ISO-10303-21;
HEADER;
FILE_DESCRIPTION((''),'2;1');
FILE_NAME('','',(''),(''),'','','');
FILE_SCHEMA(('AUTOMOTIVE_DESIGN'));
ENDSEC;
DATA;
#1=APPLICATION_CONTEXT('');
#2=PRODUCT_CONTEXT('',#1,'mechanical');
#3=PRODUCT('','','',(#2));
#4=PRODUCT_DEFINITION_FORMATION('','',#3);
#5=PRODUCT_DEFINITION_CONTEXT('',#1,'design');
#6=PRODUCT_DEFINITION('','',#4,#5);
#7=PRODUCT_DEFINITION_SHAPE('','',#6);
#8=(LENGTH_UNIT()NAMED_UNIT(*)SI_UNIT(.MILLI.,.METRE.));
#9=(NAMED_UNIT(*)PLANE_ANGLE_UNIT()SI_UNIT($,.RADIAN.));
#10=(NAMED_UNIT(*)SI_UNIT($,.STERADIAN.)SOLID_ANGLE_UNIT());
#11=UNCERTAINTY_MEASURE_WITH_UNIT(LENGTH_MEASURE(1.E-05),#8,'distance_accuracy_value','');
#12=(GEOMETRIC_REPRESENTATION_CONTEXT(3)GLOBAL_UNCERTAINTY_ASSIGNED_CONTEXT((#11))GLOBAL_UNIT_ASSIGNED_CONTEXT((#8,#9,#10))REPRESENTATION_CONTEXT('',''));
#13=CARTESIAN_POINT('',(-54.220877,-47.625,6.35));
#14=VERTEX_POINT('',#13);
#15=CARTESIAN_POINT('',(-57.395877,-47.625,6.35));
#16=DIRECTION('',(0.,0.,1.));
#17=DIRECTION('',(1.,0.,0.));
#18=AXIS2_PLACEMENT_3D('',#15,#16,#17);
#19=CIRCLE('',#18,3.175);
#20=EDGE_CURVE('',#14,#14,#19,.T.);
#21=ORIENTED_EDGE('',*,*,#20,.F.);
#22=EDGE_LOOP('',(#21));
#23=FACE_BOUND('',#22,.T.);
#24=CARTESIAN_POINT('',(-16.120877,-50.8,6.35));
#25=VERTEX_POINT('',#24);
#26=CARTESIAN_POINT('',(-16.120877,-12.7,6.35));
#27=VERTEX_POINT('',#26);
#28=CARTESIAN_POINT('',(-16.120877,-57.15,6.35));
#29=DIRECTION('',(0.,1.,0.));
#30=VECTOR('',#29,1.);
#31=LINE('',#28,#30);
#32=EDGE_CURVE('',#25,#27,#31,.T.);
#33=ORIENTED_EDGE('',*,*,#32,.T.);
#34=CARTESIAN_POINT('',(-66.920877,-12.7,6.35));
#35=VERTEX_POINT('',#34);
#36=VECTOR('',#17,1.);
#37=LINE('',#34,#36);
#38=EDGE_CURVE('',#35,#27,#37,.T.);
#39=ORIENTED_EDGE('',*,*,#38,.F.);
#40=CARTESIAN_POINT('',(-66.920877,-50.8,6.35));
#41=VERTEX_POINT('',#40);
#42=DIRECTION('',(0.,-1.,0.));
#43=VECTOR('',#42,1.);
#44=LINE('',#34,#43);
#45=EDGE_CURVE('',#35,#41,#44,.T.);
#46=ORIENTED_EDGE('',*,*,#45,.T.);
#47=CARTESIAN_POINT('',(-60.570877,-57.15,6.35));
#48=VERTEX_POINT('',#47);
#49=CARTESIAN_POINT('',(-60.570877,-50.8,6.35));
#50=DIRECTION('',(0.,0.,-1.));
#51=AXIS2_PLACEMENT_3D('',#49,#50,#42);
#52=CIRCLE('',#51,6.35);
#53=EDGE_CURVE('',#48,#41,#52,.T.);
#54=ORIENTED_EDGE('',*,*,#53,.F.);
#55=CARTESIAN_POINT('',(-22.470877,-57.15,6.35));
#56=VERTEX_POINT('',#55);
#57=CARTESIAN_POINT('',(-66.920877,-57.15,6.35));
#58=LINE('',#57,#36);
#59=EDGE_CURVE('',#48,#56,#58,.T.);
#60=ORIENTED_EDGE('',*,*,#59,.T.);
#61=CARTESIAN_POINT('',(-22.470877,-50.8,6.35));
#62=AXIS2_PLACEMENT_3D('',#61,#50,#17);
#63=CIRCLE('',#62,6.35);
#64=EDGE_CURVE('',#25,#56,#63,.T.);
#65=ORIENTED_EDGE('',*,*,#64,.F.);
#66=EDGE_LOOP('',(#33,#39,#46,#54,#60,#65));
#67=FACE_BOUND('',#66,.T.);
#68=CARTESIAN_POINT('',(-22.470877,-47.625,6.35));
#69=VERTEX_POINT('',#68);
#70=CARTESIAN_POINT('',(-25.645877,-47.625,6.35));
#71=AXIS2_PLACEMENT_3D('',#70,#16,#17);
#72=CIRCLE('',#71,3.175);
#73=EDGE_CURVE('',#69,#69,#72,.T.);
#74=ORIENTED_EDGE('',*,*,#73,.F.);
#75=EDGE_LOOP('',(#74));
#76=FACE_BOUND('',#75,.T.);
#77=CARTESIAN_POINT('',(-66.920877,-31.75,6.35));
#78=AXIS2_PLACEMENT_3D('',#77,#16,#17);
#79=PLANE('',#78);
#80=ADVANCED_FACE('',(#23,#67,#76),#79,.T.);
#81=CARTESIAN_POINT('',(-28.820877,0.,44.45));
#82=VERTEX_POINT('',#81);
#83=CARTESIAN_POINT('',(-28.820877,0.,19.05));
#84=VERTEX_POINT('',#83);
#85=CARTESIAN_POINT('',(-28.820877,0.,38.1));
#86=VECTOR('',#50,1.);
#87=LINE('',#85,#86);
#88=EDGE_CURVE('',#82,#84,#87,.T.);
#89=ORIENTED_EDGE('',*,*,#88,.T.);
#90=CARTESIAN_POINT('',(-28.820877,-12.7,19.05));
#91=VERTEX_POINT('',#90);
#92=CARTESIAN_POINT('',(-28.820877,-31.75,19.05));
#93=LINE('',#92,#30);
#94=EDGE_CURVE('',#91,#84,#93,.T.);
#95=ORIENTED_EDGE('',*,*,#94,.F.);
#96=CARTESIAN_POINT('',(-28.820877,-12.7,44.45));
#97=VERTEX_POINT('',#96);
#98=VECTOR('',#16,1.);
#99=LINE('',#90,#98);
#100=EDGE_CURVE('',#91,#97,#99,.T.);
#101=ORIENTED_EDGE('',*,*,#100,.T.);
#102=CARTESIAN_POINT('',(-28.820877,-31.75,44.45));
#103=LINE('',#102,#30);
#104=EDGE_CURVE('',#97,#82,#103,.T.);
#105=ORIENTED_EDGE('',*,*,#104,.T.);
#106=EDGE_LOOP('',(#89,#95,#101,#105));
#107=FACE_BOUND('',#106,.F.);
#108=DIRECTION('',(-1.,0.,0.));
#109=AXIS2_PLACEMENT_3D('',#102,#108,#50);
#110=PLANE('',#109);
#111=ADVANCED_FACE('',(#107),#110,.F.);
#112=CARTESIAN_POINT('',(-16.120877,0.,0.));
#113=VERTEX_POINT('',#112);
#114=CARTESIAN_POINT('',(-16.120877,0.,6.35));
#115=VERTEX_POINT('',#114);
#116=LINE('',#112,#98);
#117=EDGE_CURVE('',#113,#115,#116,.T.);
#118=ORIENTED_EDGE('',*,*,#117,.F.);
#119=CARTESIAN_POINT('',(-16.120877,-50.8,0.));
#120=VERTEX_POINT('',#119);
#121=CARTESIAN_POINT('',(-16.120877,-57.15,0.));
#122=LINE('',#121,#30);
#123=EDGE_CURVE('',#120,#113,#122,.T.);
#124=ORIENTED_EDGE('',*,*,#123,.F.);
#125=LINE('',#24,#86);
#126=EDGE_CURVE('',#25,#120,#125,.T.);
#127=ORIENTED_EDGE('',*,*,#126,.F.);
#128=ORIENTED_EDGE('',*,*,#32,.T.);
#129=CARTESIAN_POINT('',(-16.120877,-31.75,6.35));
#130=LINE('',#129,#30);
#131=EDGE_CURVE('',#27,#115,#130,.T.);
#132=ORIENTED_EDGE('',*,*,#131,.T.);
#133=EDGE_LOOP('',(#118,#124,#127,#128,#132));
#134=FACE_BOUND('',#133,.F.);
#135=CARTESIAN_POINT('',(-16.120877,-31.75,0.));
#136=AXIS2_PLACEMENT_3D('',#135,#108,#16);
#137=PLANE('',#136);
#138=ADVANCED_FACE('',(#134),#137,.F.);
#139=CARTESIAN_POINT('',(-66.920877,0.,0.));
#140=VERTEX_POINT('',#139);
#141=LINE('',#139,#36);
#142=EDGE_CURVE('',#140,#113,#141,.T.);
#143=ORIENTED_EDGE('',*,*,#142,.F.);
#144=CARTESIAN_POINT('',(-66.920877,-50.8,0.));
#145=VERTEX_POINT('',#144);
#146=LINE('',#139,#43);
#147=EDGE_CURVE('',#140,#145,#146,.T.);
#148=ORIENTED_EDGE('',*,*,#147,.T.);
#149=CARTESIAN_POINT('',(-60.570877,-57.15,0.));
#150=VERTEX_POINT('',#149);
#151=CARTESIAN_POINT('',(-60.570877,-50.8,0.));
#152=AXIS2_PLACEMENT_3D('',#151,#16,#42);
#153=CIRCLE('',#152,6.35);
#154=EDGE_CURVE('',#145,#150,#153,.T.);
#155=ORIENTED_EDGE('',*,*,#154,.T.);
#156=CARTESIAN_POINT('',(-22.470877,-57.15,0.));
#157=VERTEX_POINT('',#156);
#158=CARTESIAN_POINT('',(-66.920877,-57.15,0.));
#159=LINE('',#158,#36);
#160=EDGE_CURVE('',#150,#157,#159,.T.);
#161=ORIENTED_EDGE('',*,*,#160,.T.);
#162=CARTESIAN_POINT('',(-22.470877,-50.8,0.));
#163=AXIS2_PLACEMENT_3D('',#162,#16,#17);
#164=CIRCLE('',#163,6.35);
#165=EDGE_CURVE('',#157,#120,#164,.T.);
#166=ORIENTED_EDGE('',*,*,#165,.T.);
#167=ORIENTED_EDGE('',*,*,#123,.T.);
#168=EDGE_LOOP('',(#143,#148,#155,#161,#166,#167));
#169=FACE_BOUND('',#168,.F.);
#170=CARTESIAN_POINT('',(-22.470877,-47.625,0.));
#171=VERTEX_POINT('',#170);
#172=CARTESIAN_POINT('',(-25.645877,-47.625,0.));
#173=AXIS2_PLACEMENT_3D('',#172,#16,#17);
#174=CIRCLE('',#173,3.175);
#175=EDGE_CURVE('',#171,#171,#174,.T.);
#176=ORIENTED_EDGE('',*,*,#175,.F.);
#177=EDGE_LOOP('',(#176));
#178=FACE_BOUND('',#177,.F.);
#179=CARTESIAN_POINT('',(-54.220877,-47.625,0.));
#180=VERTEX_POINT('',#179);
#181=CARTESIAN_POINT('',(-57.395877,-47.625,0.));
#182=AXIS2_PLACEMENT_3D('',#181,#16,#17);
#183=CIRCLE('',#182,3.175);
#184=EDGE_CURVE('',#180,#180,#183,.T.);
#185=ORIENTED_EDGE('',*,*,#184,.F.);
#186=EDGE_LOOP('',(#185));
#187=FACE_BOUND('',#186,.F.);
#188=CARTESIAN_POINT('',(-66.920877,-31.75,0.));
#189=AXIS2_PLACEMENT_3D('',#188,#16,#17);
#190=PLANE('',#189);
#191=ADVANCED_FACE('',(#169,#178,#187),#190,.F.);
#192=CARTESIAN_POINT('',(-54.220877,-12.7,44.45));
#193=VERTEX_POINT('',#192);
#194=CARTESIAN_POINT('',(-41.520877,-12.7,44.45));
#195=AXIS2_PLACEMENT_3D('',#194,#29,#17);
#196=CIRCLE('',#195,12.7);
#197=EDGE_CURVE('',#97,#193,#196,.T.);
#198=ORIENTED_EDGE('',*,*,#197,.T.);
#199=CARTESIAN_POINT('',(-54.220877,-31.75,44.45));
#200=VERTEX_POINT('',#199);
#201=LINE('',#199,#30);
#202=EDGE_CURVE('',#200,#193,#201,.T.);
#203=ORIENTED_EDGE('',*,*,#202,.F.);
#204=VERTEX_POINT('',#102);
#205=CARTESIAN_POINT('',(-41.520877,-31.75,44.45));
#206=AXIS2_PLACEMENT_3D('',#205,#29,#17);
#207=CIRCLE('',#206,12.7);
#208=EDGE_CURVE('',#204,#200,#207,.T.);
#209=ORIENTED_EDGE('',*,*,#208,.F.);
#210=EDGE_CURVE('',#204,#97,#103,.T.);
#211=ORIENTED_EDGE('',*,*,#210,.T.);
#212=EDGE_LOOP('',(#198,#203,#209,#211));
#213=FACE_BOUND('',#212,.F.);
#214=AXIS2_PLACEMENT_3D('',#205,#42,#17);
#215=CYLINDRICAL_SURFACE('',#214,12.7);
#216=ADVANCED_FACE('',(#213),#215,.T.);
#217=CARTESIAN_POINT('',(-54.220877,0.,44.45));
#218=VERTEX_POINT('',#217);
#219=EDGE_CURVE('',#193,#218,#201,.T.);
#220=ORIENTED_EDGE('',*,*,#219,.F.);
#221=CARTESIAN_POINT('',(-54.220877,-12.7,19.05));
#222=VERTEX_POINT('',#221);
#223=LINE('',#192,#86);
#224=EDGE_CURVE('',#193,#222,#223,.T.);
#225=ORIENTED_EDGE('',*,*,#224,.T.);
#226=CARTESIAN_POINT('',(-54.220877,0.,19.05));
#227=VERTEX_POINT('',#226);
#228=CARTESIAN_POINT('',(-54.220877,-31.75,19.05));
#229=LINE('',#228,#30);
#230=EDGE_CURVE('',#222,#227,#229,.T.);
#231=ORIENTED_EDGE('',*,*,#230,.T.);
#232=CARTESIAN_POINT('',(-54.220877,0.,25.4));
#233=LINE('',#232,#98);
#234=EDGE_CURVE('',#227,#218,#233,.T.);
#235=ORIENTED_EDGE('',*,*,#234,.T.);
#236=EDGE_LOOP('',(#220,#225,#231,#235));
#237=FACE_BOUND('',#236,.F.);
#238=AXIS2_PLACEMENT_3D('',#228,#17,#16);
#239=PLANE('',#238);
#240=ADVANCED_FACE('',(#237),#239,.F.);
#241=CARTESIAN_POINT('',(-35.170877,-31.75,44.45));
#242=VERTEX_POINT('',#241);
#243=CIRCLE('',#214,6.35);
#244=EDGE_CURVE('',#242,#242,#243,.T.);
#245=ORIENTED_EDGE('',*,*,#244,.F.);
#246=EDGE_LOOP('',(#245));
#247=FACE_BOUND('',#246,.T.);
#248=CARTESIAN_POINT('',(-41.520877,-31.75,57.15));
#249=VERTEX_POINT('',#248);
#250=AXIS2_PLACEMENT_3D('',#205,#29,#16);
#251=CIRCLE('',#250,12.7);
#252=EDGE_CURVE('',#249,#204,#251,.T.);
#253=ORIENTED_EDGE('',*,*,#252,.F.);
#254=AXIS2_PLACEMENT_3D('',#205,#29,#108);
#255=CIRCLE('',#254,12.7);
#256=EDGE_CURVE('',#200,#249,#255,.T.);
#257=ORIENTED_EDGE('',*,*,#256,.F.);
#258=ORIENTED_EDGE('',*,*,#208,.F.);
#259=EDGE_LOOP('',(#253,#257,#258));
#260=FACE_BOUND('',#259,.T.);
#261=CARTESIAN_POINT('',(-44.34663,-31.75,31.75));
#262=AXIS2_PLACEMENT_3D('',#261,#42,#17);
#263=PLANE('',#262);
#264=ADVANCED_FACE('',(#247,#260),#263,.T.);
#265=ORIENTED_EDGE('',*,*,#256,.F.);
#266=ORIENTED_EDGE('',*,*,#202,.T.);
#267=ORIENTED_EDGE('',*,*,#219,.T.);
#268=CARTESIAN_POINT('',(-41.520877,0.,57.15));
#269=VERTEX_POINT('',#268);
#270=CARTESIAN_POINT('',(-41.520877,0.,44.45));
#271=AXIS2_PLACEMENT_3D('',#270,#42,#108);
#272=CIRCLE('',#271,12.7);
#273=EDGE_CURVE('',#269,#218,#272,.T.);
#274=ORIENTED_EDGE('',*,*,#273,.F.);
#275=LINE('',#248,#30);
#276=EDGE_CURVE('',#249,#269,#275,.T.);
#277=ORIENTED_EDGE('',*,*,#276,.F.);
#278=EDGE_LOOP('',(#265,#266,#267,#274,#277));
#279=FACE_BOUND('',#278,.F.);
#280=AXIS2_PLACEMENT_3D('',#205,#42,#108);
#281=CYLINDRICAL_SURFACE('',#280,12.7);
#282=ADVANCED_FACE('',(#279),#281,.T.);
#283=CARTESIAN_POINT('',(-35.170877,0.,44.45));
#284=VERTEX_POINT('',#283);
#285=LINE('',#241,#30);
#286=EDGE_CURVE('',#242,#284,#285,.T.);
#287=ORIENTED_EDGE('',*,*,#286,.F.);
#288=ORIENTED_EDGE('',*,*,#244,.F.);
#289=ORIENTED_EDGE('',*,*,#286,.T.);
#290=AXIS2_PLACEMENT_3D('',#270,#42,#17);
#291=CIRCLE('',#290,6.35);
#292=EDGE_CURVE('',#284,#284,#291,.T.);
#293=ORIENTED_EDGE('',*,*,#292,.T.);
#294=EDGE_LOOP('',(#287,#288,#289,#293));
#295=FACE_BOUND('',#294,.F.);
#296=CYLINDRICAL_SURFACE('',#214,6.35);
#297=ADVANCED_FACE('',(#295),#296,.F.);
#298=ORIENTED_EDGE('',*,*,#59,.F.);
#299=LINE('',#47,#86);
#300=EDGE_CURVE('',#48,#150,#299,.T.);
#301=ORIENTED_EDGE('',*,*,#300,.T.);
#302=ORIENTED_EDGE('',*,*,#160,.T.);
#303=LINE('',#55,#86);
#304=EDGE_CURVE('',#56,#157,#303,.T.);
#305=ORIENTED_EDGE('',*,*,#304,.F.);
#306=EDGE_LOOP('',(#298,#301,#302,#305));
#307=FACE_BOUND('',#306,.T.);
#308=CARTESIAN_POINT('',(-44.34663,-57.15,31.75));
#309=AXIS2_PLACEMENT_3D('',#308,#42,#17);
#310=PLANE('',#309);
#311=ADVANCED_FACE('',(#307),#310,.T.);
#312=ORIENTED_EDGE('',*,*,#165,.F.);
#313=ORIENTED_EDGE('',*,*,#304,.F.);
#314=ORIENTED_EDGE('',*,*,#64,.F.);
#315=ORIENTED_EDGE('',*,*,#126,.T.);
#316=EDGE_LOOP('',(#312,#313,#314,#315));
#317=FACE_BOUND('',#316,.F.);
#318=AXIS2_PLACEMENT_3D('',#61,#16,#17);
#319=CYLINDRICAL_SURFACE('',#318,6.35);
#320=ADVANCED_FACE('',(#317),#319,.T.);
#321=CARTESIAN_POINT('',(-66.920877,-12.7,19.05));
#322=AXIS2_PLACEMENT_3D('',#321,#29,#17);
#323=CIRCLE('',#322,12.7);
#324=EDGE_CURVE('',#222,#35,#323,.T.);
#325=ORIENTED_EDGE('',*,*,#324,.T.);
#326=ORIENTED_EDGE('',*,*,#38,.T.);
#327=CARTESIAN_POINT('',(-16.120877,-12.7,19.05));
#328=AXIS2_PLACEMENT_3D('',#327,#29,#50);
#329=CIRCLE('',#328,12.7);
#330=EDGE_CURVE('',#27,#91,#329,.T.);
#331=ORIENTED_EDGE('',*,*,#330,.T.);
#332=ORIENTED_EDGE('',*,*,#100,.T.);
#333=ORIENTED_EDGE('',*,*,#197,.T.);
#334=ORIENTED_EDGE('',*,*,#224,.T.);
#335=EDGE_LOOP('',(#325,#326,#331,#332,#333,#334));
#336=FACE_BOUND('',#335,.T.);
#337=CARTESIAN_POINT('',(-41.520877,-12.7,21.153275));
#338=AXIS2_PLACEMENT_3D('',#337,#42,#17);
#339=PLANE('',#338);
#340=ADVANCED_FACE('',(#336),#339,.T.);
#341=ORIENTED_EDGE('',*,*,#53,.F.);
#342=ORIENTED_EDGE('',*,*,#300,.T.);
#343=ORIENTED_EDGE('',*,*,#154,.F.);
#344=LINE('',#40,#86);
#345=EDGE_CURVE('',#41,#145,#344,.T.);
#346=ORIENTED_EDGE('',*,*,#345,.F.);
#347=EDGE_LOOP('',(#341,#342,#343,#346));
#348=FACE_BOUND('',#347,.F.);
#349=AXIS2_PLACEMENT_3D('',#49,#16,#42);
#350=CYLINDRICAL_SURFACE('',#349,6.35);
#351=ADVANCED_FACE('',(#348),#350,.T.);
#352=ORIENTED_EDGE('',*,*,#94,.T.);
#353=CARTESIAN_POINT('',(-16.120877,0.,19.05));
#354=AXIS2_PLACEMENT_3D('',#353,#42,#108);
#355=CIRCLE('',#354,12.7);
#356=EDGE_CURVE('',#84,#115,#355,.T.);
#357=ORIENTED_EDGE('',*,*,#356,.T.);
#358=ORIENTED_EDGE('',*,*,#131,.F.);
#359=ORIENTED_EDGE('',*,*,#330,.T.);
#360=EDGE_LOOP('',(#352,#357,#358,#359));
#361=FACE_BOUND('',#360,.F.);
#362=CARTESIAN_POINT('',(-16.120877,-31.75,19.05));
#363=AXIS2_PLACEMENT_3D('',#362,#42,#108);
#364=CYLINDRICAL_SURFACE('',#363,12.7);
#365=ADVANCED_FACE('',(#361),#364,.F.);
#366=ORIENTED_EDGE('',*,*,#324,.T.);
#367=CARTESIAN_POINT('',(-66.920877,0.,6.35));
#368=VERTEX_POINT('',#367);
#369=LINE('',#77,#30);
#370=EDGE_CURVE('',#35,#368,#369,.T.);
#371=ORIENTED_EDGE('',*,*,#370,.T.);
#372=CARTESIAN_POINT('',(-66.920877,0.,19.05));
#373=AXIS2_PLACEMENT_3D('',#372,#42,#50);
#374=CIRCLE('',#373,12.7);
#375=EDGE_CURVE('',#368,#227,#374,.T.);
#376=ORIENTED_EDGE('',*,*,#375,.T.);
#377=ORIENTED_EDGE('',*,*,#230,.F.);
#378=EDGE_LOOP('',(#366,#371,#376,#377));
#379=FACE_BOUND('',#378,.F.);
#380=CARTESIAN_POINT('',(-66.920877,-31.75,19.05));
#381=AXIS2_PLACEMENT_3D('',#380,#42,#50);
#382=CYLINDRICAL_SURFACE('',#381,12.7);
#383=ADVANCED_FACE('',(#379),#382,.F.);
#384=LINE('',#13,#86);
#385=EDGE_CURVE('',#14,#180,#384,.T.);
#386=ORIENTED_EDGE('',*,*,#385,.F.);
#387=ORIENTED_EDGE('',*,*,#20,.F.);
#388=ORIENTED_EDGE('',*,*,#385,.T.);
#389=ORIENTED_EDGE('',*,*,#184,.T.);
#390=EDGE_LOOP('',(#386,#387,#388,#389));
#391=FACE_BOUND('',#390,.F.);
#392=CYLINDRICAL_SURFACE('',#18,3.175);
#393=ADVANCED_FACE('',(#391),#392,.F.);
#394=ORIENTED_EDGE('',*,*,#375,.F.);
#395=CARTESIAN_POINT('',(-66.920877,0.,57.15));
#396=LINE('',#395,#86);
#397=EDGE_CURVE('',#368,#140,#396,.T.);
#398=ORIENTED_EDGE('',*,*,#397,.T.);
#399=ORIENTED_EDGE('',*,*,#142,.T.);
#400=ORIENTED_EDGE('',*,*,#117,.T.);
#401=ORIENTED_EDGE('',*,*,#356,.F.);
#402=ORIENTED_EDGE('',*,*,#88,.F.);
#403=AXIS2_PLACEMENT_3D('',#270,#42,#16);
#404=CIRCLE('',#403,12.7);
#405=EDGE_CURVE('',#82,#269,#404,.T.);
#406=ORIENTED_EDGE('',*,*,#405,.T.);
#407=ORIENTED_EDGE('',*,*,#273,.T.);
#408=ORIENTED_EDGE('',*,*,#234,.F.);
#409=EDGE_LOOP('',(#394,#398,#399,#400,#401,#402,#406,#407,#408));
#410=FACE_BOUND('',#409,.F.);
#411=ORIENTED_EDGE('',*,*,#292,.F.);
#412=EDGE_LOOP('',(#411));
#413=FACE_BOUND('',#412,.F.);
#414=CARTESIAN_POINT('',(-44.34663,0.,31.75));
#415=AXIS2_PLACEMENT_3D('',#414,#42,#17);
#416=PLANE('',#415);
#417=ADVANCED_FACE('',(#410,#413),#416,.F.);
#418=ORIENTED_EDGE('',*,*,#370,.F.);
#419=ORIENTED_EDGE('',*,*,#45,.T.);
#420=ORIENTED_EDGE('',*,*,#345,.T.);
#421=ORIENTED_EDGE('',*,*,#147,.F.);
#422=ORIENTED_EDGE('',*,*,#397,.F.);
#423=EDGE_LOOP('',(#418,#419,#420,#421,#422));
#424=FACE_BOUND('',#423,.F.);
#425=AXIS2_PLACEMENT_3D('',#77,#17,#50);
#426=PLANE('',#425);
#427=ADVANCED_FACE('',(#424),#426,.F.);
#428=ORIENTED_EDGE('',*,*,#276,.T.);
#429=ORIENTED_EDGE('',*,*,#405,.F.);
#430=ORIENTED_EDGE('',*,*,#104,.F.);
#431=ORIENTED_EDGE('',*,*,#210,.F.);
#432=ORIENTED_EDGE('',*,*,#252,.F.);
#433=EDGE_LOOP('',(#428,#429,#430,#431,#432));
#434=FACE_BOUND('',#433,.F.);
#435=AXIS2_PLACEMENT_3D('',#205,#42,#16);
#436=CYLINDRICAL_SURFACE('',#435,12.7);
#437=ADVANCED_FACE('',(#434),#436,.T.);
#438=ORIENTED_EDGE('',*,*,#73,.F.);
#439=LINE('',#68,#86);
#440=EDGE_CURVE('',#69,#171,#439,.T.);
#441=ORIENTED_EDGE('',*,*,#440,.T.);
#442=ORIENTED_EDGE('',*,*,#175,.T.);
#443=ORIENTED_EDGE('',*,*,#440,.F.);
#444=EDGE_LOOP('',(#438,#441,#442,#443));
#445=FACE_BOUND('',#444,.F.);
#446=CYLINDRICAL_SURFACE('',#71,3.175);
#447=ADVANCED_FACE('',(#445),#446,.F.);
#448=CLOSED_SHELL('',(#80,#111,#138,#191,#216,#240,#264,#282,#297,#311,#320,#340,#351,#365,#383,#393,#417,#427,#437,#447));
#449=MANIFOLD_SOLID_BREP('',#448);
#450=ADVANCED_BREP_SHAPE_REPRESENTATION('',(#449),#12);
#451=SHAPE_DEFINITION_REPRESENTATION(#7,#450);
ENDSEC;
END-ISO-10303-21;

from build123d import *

# Parameters (mm, degrees)
F0_W      = 27.6003498584
F0_H      = 50.8
F0_W_2    = 8.7740728214
F0_W_3    = 14.4255773202
F1_DEPTH  = 31.75
F2_W      = 12.7
F2_H      = 12.7
F3_DEPTH  = 31.751
F4_R      = 6.35
F5_DEPTH  = 31.751
F4_R_2    = 12.7
F6_DEPTH  = 12.7
F8_DEPTH  = 31.751
F10_DEPTH = 19.05
F11_DEPTH = 25.4
F13_DEPTH = 6.351
F14_R     = 3.175
F15_DEPTH = 6.351


with BuildPart() as f1:
    # F0 (on Front) → F1 (new body)
    with BuildSketch(Plane.XZ):
        with Locations((-44.346629642, 31.75)):
            Rectangle(F0_W, F0_H)
        with Locations((-62.5338409818, 31.75)):
            Rectangle(F0_W_2, F0_H)
        with Locations((-23.3336660526, 31.75)):
            Rectangle(F0_W_3, F0_H)
        Polygon((-58.1468045712, 6.35), (-66.9208773925, 6.35), (-66.9208773925, 0), (-16.1208773925, 0), (-16.1208773925, 6.35), (-30.5464547127, 6.35), align=None)
    extrude(amount=F1_DEPTH)

    # F2 (on face) → F3 (cut, through all)
    with BuildSketch(Plane.XZ.offset(31.75)):
        with Locations((-60.5708773925, 50.8)):
            Rectangle(F2_W, F2_H)
        with BuildLine():
            Line((-54.2208773925, 57.15), (-54.2208773925, 44.45))
            ThreePointArc((-54.2208773925, 44.45), (-50.5011335136, 53.4302561211), (-41.5208773925, 57.15))
            Line((-41.5208773925, 57.15), (-54.2208773925, 57.15))
        make_face()
        with BuildLine():
            ThreePointArc((-41.5208773925, 57.15), (-32.5406212715, 53.4302561211), (-28.8208773925, 44.45))
            Line((-28.8208773925, 44.45), (-28.8208773925, 57.15))
            Line((-28.8208773925, 57.15), (-41.5208773925, 57.15))
        make_face()
        with Locations((-22.4708773925, 50.8)):
            Rectangle(F2_W, F2_H)
    extrude(amount=-F3_DEPTH, mode=Mode.SUBTRACT)

    # F4 (on face) → F5 (cut, through all)
    with BuildSketch(Plane.XZ.offset(31.75)):
        with Locations((-41.5208773925, 44.45)):
            Circle(F4_R)
    extrude(amount=-F5_DEPTH, mode=Mode.SUBTRACT)

    # F4 (on face) → F6 (cut)
    with BuildSketch(Plane.XZ.offset(31.75)):
        with Locations((-41.5208773925, 44.45)):
            Circle(F4_R_2)
        with Locations((-41.5208773925, 44.45)):
            Circle(F4_R, mode=Mode.SUBTRACT)
    extrude(amount=F6_DEPTH, mode=Mode.SUBTRACT)

    # F7 (on face) → F8 (cut, through all)
    with BuildSketch(Plane.XZ.offset(31.75)):
        with BuildLine():
            Line((-66.9208773925, 44.45), (-66.9208773925, 6.35))
            ThreePointArc((-66.9208773925, 6.35), (-57.9406212715, 10.0697438789), (-54.2208773925, 19.05))
            Line((-54.2208773925, 19.05), (-54.2208773925, 44.45))
            Line((-54.2208773925, 44.45), (-66.9208773925, 44.45))
        make_face()
        with BuildLine():
            ThreePointArc((-28.8208773925, 19.05), (-25.1011335136, 10.0697438789), (-16.1208773925, 6.35))
            Line((-16.1208773925, 6.35), (-16.1208773925, 44.45))
            Line((-16.1208773925, 44.45), (-28.8208773925, 44.45))
            Line((-28.8208773925, 44.45), (-28.8208773925, 19.05))
        make_face()
    extrude(amount=-F8_DEPTH, mode=Mode.SUBTRACT)

    # F9 (on face) → F10 (cut)
    with BuildSketch(Plane.XZ.offset(31.75)):
        with BuildLine():
            ThreePointArc((-54.2208773925, 19.05), (-57.9406212715, 10.0697438789), (-66.9208773925, 6.35))
            Line((-66.9208773925, 6.35), (-16.1208773925, 6.35))
            ThreePointArc((-16.1208773925, 6.35), (-25.1011335136, 10.0697438789), (-28.8208773925, 19.05))
            Line((-28.8208773925, 19.05), (-28.8208773925, 44.45))
            ThreePointArc((-28.8208773925, 44.45), (-41.5208773925, 31.75), (-54.2208773925, 44.45))
            Line((-54.2208773925, 44.45), (-54.2208773925, 19.05))
        make_face()
    extrude(amount=-F10_DEPTH, mode=Mode.SUBTRACT)

    # F11 (add): a face of the model
    f11_faces = [f1.faces().sort_by_distance(p)[0] for p in [
        (-41.5208773925, -31.75, 3.175),
    ]]
    extrude(f11_faces, amount=F11_DEPTH)

    # F12 (on face) → F13 (cut, through all)
    with BuildSketch(Plane.XY.offset(6.35)):
        with BuildLine():
            Line((-66.9208773925, -50.8), (-66.9208773925, -57.15))
            Line((-66.9208773925, -57.15), (-60.5708773925, -57.15))
            ThreePointArc((-60.5708773925, -57.15), (-65.0610054531, -55.2901280605), (-66.9208773925, -50.8))
        make_face()
        with BuildLine():
            ThreePointArc((-16.1208773925, -50.8), (-17.980749332, -55.2901280605), (-22.4708773925, -57.15))
            Line((-22.4708773925, -57.15), (-16.1208773925, -57.15))
            Line((-16.1208773925, -57.15), (-16.1208773925, -50.8))
        make_face()
    extrude(amount=-F13_DEPTH, mode=Mode.SUBTRACT)

    # F14 (on face) → F15 (cut, through all)
    with BuildSketch(Plane.XY.offset(6.35)):
        with Locations((-57.3958773925, -47.625)):
            Circle(F14_R)
        with Locations((-25.6458773925, -47.625)):
            Circle(F14_R)
    extrude(amount=-F15_DEPTH, mode=Mode.SUBTRACT)


solid = f1.part
